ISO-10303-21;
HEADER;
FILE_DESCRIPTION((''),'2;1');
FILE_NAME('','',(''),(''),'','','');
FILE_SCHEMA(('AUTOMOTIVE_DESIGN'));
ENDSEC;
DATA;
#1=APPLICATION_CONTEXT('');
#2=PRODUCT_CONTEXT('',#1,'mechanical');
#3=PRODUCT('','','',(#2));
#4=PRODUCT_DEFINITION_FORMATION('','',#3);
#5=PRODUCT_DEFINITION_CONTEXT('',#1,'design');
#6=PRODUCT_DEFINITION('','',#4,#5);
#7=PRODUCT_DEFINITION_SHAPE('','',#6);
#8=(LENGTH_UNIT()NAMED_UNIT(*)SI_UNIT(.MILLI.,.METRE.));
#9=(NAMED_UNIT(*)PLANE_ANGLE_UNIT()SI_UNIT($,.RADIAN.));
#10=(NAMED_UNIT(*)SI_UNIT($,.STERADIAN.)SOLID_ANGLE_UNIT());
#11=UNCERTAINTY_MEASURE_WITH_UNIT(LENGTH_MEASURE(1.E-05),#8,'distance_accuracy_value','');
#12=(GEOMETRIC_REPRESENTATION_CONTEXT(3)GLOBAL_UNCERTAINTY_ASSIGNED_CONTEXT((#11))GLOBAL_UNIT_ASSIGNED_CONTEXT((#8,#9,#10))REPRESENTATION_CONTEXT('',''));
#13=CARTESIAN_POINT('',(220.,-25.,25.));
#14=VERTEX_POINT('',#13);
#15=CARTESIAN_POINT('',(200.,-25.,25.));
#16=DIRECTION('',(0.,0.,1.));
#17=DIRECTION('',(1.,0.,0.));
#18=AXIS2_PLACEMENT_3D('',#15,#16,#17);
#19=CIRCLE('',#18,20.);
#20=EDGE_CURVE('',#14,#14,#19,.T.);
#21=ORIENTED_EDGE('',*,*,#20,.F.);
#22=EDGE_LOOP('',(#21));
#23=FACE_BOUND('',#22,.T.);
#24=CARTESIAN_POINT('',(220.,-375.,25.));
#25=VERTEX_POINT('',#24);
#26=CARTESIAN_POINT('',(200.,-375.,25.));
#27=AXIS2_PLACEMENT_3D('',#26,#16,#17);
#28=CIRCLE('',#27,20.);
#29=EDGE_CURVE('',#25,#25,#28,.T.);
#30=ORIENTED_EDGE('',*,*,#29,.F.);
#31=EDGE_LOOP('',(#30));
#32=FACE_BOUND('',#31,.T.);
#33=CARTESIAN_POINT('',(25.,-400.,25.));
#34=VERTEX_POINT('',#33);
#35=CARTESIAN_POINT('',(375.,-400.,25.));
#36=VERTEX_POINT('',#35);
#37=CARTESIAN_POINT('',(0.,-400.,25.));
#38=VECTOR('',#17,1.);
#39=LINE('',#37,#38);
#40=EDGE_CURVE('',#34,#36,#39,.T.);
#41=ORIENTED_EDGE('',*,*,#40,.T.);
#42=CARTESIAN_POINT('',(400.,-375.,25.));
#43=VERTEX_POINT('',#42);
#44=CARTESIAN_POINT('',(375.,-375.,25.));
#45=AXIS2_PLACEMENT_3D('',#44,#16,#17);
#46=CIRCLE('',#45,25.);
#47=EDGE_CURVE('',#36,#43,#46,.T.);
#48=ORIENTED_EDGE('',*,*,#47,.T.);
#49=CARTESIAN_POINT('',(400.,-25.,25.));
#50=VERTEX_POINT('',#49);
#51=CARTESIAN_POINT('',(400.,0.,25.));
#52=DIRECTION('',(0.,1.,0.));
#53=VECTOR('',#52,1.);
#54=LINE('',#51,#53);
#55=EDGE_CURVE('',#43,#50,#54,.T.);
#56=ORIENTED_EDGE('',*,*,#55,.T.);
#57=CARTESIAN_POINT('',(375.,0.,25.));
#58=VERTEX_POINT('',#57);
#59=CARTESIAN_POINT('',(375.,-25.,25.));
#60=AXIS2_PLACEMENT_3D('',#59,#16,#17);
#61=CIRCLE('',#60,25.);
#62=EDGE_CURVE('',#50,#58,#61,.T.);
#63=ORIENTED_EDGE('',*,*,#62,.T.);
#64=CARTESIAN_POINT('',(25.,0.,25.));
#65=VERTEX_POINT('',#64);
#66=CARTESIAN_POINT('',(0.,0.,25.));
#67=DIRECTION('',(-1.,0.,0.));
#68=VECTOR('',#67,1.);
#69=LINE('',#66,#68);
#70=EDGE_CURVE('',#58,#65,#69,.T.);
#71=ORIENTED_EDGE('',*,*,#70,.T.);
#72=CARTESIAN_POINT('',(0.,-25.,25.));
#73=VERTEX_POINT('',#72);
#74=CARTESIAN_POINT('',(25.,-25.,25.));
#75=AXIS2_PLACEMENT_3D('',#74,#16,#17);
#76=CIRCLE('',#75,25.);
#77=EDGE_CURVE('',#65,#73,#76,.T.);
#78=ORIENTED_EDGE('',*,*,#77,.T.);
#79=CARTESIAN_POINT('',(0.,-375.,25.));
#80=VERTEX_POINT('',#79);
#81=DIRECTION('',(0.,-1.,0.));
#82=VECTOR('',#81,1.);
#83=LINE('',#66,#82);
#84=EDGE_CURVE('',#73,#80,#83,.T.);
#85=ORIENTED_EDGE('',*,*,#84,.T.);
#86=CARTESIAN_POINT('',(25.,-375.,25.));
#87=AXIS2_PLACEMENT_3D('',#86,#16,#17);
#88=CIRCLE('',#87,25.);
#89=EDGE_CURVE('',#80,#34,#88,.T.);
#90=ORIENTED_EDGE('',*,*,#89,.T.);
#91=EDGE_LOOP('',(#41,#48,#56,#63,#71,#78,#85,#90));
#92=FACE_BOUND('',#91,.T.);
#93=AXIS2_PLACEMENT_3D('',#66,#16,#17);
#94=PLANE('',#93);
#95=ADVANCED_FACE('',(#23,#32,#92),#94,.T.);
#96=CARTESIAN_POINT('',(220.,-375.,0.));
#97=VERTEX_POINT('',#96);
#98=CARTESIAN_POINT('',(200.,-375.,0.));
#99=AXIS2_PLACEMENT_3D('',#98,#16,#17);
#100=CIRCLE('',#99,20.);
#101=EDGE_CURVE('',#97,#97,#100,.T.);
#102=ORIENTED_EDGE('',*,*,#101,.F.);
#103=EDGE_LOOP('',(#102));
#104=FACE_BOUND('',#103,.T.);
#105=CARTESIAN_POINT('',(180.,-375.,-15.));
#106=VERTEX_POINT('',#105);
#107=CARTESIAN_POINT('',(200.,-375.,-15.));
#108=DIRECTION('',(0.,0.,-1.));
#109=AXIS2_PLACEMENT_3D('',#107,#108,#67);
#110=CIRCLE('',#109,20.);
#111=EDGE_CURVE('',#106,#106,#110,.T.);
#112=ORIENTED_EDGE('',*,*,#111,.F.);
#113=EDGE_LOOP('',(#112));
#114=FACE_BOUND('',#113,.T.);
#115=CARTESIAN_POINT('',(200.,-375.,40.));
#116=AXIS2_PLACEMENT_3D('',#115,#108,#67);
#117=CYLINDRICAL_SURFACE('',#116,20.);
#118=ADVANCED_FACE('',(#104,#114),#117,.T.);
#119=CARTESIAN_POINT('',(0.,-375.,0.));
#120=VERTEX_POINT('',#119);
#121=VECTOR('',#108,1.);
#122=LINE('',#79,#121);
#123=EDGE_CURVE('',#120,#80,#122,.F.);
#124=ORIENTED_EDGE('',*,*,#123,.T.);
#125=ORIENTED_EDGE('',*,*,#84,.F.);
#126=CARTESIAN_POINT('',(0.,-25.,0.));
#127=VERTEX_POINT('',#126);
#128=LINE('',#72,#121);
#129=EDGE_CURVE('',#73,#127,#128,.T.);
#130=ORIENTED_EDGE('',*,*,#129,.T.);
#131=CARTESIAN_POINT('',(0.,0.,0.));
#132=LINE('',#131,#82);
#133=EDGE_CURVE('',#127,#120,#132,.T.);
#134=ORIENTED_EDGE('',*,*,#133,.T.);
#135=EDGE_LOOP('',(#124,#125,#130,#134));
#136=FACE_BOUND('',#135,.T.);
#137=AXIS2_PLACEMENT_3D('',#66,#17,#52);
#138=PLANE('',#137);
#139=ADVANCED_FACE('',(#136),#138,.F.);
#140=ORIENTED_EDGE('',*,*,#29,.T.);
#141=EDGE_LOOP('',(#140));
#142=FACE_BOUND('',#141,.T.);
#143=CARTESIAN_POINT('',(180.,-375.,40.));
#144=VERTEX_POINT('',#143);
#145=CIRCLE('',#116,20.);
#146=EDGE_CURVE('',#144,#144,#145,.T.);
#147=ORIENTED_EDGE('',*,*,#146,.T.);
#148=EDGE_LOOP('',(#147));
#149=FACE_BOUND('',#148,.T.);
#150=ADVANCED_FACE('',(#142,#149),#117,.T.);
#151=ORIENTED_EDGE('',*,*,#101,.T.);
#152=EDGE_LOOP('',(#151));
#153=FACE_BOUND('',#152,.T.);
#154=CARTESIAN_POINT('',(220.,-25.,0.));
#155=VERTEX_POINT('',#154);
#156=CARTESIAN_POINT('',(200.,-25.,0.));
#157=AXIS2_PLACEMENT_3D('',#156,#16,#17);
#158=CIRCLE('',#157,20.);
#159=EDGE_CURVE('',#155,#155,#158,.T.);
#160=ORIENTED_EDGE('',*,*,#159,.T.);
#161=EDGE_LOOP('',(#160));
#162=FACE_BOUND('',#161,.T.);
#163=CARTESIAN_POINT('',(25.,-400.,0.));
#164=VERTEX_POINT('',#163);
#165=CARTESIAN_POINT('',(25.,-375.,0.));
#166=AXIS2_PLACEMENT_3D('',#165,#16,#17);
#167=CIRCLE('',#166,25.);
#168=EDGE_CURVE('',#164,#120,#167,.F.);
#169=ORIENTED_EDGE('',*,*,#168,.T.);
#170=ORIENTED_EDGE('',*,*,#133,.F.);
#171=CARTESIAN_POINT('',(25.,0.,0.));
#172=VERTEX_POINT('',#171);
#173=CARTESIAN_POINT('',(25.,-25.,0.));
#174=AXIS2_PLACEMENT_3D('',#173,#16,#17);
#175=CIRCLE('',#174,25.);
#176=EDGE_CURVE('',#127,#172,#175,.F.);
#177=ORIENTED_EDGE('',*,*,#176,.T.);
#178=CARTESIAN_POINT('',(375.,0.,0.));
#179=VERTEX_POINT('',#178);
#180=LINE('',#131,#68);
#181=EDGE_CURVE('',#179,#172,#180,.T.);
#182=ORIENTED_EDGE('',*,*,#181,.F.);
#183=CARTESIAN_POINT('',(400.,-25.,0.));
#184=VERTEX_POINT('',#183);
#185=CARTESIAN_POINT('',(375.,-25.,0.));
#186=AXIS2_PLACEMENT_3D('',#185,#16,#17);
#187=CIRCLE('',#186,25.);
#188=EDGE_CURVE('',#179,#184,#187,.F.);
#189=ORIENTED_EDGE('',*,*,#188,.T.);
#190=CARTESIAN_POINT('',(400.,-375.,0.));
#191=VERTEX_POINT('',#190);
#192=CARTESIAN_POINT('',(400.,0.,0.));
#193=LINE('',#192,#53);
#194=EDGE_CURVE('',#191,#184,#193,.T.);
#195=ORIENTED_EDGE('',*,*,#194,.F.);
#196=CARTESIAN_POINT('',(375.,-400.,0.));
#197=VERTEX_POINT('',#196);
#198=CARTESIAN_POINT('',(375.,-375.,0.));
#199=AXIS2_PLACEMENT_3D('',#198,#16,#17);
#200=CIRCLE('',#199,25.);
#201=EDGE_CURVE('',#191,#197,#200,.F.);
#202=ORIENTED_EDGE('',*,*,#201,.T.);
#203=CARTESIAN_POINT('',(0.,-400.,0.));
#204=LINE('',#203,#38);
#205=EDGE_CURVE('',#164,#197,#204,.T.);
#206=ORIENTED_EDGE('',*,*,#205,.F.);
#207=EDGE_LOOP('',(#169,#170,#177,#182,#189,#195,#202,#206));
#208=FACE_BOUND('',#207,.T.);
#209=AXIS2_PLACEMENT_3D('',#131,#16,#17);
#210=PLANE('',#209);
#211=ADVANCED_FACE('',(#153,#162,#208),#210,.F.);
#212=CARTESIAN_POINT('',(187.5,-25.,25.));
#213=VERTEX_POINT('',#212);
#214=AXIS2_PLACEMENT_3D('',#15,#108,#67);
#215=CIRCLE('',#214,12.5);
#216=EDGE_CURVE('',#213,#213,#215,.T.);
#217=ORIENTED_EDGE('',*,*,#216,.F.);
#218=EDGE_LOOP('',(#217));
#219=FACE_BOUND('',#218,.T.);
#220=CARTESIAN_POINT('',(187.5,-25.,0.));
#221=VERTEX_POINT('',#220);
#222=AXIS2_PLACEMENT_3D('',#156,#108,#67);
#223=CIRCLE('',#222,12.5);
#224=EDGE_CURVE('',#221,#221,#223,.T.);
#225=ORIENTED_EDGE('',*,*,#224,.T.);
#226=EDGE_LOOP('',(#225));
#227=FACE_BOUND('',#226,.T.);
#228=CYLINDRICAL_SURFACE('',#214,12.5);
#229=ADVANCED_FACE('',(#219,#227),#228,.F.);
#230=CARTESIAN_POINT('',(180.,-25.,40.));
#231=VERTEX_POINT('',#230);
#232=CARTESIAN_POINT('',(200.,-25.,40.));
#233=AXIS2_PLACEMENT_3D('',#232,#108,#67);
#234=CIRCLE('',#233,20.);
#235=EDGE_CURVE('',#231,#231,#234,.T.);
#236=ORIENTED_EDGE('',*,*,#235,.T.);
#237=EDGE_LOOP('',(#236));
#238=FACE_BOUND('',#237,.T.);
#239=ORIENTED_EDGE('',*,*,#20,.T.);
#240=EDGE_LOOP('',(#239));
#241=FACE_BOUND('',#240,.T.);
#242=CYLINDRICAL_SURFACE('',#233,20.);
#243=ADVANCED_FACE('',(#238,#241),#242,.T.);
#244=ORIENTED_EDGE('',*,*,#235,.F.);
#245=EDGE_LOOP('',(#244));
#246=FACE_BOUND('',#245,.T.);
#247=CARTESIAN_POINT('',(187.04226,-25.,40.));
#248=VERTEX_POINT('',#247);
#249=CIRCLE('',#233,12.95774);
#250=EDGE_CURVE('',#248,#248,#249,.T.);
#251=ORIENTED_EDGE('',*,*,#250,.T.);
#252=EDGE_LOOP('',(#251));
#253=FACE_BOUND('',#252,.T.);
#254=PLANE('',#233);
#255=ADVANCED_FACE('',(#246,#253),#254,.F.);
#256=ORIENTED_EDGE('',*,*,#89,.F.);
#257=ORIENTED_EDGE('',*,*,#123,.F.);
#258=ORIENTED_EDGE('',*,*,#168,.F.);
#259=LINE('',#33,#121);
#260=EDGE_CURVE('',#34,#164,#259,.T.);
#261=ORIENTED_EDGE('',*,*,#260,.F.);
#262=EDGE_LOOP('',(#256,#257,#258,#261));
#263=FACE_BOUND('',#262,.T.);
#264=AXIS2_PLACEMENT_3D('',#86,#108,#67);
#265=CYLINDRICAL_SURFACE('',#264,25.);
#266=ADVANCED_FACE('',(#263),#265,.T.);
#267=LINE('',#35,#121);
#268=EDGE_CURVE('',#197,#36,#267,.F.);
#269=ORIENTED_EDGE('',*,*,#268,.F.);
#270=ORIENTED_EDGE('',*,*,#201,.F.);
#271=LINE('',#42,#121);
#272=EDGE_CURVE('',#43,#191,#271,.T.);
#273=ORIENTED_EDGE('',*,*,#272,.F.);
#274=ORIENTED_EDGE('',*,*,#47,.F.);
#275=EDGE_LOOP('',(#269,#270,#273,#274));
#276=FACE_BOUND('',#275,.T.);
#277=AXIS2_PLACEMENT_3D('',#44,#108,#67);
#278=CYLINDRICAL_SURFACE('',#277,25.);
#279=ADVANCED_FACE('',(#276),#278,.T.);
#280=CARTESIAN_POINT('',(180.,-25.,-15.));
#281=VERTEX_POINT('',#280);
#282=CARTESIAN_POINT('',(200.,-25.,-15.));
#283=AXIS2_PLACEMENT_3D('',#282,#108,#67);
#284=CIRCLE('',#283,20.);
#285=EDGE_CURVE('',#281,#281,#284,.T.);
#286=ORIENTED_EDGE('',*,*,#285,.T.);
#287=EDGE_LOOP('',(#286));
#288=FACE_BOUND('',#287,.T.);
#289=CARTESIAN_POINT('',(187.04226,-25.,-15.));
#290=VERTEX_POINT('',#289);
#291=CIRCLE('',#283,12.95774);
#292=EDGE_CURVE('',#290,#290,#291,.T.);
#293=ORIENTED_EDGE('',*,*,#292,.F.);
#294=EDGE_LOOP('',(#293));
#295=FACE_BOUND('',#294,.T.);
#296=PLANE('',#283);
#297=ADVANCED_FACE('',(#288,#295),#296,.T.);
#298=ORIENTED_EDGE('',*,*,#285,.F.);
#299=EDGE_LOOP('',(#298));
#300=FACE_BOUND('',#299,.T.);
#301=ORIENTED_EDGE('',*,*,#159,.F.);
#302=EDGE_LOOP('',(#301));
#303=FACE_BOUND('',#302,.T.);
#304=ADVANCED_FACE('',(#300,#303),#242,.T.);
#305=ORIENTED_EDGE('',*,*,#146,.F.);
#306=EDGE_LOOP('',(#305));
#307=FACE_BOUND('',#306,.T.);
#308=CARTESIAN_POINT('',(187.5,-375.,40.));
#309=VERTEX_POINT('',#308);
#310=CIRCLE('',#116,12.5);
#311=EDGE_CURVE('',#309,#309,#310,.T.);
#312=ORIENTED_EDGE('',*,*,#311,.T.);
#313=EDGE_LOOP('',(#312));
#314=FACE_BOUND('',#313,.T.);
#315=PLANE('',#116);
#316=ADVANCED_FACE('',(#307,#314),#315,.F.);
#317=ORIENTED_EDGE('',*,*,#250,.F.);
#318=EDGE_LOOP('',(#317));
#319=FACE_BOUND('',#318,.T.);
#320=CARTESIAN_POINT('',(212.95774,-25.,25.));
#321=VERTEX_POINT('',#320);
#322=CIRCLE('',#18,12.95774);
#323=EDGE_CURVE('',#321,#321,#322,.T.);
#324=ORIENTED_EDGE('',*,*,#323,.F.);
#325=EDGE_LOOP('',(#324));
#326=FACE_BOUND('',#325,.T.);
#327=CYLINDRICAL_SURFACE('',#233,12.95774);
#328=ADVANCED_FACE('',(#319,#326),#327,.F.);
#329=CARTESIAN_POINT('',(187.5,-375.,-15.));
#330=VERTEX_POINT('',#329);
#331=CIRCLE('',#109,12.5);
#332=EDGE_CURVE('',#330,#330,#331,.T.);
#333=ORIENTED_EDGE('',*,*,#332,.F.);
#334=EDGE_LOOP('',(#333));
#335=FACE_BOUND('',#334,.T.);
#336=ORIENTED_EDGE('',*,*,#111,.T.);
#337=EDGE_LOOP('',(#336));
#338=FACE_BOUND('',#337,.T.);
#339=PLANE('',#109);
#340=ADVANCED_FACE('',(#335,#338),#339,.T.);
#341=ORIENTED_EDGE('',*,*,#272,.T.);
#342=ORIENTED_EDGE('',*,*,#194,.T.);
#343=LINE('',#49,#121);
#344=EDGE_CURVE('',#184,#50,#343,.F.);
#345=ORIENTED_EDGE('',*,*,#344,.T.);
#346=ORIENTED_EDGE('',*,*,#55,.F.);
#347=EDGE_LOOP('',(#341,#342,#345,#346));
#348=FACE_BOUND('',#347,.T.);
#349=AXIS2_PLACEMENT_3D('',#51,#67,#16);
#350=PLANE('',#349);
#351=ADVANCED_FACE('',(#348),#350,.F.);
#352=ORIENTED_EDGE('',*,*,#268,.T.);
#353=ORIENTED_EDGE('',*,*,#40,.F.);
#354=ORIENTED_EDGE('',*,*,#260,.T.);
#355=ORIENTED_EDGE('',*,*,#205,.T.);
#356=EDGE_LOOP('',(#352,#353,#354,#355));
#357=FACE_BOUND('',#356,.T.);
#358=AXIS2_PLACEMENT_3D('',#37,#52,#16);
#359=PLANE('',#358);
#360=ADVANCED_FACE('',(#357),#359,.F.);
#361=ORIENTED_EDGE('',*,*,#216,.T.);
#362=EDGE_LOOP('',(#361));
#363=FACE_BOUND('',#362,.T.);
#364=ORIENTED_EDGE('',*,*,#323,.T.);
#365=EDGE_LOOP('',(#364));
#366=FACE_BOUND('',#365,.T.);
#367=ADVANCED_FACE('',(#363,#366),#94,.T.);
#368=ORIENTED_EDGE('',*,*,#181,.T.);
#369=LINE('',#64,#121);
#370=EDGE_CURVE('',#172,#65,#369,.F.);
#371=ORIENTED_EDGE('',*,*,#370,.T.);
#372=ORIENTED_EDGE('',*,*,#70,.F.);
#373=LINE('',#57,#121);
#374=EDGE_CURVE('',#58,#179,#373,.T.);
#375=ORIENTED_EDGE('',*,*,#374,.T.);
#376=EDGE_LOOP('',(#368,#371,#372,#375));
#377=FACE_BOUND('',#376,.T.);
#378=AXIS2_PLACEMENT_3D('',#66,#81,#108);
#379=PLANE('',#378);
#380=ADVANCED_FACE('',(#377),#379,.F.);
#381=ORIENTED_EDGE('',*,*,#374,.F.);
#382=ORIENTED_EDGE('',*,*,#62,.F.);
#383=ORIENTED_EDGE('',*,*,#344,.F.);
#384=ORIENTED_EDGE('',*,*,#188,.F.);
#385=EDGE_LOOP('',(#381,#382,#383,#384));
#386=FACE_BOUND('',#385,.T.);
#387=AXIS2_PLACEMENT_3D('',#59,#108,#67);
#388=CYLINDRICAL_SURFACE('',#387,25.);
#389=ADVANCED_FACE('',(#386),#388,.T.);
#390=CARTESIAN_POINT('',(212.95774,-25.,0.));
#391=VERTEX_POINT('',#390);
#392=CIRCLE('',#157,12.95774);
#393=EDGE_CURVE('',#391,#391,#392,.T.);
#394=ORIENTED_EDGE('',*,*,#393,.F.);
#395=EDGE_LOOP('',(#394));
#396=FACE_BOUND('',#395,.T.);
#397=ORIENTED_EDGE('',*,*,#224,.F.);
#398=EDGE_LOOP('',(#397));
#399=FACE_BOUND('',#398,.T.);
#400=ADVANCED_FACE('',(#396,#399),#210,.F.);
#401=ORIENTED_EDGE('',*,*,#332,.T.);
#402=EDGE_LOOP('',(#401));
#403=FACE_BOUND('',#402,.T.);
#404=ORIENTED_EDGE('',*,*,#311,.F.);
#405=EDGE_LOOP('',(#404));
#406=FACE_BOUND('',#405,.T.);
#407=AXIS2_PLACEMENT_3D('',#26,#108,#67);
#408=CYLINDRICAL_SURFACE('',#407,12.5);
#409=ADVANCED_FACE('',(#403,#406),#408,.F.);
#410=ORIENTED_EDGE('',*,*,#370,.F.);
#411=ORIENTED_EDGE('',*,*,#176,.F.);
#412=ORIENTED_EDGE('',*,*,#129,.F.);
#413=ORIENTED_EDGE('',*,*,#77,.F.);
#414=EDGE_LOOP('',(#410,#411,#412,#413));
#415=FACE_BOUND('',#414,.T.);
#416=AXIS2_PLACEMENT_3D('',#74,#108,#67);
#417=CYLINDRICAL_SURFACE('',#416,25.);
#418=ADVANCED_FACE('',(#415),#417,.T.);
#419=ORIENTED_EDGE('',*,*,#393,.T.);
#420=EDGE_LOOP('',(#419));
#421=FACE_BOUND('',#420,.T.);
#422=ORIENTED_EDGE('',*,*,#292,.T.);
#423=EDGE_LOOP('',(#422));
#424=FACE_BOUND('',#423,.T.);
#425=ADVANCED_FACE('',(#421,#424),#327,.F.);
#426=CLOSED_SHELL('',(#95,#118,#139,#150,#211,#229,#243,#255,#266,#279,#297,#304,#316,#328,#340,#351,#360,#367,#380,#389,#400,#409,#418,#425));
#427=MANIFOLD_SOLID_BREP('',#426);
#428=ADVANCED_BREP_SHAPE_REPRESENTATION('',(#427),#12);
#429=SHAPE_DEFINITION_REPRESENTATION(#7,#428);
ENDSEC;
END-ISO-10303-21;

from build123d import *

# Parameters (mm, degrees)
SKETCH1_W                = 400
SKETCH1_H                = 400
BOSS_EXTRUDE1_DEPTH      = 25
FILLET1_R                = 25
SKETCH2_R                = 12.5
CUT_EXTRUDE1_DEPTH       = 25
BOSS_EXTRUDE2_DEPTH      = 15
BOSS_EXTRUDE2_DEPTH_BACK = 40
SKETCH3_R                = 20
SKETCH3_R_2              = 12.957739805
SKETCH3_R_3              = 12.5


with BuildPart() as part:
    # Sketch1 → Boss-Extrude1 (new body)
    with BuildSketch(Plane.XY):
        with Locations((200, -200)):
            Rectangle(SKETCH1_W, SKETCH1_H)
    extrude(amount=BOSS_EXTRUDE1_DEPTH)

    # Fillet1
    fillet1_edges = [part.edges().sort_by_distance(p)[0] for p in [
        (0, 0, 12.5),
        (400, 0, 12.5),
        (400, -400, 12.5),
        (0, -400, 12.5),
    ]]
    fillet(fillet1_edges, radius=FILLET1_R)

    # Sketch2 → Cut-Extrude1 (cut)
    with BuildSketch(Plane(origin=(0, 0, 0), x_dir=(-1, 0, 0), z_dir=(0, 0, -1))):
        with Locations((-200, -25)):
            Circle(SKETCH2_R)
        with Locations((-200, -375)):
            Circle(SKETCH2_R)
    extrude(amount=-CUT_EXTRUDE1_DEPTH, mode=Mode.SUBTRACT)

    # Sketch3 → Boss-Extrude2 (add, two sides: drawn at the far end of the back side and taken through both)
    # profile 1 of 2: a face of its own
    with BuildSketch(Plane(origin=(0, 0, 0), x_dir=(-1, 0, 0), z_dir=(0, 0, -1)).offset(-BOSS_EXTRUDE2_DEPTH_BACK)):
        with Locations((-200, -25)):
            Circle(SKETCH3_R)
        with Locations((-200, -25)):
            Circle(SKETCH3_R_2, mode=Mode.SUBTRACT)
    # profile 2 of 2: a face of its own
    with BuildSketch(Plane(origin=(0, 0, 0), x_dir=(-1, 0, 0), z_dir=(0, 0, -1)).offset(-BOSS_EXTRUDE2_DEPTH_BACK)):
        with Locations((-200, -375)):
            Circle(SKETCH3_R)
        with Locations((-200, -375)):
            Circle(SKETCH3_R_3, mode=Mode.SUBTRACT)
    extrude(amount=BOSS_EXTRUDE2_DEPTH + BOSS_EXTRUDE2_DEPTH_BACK)


solid = part.part
